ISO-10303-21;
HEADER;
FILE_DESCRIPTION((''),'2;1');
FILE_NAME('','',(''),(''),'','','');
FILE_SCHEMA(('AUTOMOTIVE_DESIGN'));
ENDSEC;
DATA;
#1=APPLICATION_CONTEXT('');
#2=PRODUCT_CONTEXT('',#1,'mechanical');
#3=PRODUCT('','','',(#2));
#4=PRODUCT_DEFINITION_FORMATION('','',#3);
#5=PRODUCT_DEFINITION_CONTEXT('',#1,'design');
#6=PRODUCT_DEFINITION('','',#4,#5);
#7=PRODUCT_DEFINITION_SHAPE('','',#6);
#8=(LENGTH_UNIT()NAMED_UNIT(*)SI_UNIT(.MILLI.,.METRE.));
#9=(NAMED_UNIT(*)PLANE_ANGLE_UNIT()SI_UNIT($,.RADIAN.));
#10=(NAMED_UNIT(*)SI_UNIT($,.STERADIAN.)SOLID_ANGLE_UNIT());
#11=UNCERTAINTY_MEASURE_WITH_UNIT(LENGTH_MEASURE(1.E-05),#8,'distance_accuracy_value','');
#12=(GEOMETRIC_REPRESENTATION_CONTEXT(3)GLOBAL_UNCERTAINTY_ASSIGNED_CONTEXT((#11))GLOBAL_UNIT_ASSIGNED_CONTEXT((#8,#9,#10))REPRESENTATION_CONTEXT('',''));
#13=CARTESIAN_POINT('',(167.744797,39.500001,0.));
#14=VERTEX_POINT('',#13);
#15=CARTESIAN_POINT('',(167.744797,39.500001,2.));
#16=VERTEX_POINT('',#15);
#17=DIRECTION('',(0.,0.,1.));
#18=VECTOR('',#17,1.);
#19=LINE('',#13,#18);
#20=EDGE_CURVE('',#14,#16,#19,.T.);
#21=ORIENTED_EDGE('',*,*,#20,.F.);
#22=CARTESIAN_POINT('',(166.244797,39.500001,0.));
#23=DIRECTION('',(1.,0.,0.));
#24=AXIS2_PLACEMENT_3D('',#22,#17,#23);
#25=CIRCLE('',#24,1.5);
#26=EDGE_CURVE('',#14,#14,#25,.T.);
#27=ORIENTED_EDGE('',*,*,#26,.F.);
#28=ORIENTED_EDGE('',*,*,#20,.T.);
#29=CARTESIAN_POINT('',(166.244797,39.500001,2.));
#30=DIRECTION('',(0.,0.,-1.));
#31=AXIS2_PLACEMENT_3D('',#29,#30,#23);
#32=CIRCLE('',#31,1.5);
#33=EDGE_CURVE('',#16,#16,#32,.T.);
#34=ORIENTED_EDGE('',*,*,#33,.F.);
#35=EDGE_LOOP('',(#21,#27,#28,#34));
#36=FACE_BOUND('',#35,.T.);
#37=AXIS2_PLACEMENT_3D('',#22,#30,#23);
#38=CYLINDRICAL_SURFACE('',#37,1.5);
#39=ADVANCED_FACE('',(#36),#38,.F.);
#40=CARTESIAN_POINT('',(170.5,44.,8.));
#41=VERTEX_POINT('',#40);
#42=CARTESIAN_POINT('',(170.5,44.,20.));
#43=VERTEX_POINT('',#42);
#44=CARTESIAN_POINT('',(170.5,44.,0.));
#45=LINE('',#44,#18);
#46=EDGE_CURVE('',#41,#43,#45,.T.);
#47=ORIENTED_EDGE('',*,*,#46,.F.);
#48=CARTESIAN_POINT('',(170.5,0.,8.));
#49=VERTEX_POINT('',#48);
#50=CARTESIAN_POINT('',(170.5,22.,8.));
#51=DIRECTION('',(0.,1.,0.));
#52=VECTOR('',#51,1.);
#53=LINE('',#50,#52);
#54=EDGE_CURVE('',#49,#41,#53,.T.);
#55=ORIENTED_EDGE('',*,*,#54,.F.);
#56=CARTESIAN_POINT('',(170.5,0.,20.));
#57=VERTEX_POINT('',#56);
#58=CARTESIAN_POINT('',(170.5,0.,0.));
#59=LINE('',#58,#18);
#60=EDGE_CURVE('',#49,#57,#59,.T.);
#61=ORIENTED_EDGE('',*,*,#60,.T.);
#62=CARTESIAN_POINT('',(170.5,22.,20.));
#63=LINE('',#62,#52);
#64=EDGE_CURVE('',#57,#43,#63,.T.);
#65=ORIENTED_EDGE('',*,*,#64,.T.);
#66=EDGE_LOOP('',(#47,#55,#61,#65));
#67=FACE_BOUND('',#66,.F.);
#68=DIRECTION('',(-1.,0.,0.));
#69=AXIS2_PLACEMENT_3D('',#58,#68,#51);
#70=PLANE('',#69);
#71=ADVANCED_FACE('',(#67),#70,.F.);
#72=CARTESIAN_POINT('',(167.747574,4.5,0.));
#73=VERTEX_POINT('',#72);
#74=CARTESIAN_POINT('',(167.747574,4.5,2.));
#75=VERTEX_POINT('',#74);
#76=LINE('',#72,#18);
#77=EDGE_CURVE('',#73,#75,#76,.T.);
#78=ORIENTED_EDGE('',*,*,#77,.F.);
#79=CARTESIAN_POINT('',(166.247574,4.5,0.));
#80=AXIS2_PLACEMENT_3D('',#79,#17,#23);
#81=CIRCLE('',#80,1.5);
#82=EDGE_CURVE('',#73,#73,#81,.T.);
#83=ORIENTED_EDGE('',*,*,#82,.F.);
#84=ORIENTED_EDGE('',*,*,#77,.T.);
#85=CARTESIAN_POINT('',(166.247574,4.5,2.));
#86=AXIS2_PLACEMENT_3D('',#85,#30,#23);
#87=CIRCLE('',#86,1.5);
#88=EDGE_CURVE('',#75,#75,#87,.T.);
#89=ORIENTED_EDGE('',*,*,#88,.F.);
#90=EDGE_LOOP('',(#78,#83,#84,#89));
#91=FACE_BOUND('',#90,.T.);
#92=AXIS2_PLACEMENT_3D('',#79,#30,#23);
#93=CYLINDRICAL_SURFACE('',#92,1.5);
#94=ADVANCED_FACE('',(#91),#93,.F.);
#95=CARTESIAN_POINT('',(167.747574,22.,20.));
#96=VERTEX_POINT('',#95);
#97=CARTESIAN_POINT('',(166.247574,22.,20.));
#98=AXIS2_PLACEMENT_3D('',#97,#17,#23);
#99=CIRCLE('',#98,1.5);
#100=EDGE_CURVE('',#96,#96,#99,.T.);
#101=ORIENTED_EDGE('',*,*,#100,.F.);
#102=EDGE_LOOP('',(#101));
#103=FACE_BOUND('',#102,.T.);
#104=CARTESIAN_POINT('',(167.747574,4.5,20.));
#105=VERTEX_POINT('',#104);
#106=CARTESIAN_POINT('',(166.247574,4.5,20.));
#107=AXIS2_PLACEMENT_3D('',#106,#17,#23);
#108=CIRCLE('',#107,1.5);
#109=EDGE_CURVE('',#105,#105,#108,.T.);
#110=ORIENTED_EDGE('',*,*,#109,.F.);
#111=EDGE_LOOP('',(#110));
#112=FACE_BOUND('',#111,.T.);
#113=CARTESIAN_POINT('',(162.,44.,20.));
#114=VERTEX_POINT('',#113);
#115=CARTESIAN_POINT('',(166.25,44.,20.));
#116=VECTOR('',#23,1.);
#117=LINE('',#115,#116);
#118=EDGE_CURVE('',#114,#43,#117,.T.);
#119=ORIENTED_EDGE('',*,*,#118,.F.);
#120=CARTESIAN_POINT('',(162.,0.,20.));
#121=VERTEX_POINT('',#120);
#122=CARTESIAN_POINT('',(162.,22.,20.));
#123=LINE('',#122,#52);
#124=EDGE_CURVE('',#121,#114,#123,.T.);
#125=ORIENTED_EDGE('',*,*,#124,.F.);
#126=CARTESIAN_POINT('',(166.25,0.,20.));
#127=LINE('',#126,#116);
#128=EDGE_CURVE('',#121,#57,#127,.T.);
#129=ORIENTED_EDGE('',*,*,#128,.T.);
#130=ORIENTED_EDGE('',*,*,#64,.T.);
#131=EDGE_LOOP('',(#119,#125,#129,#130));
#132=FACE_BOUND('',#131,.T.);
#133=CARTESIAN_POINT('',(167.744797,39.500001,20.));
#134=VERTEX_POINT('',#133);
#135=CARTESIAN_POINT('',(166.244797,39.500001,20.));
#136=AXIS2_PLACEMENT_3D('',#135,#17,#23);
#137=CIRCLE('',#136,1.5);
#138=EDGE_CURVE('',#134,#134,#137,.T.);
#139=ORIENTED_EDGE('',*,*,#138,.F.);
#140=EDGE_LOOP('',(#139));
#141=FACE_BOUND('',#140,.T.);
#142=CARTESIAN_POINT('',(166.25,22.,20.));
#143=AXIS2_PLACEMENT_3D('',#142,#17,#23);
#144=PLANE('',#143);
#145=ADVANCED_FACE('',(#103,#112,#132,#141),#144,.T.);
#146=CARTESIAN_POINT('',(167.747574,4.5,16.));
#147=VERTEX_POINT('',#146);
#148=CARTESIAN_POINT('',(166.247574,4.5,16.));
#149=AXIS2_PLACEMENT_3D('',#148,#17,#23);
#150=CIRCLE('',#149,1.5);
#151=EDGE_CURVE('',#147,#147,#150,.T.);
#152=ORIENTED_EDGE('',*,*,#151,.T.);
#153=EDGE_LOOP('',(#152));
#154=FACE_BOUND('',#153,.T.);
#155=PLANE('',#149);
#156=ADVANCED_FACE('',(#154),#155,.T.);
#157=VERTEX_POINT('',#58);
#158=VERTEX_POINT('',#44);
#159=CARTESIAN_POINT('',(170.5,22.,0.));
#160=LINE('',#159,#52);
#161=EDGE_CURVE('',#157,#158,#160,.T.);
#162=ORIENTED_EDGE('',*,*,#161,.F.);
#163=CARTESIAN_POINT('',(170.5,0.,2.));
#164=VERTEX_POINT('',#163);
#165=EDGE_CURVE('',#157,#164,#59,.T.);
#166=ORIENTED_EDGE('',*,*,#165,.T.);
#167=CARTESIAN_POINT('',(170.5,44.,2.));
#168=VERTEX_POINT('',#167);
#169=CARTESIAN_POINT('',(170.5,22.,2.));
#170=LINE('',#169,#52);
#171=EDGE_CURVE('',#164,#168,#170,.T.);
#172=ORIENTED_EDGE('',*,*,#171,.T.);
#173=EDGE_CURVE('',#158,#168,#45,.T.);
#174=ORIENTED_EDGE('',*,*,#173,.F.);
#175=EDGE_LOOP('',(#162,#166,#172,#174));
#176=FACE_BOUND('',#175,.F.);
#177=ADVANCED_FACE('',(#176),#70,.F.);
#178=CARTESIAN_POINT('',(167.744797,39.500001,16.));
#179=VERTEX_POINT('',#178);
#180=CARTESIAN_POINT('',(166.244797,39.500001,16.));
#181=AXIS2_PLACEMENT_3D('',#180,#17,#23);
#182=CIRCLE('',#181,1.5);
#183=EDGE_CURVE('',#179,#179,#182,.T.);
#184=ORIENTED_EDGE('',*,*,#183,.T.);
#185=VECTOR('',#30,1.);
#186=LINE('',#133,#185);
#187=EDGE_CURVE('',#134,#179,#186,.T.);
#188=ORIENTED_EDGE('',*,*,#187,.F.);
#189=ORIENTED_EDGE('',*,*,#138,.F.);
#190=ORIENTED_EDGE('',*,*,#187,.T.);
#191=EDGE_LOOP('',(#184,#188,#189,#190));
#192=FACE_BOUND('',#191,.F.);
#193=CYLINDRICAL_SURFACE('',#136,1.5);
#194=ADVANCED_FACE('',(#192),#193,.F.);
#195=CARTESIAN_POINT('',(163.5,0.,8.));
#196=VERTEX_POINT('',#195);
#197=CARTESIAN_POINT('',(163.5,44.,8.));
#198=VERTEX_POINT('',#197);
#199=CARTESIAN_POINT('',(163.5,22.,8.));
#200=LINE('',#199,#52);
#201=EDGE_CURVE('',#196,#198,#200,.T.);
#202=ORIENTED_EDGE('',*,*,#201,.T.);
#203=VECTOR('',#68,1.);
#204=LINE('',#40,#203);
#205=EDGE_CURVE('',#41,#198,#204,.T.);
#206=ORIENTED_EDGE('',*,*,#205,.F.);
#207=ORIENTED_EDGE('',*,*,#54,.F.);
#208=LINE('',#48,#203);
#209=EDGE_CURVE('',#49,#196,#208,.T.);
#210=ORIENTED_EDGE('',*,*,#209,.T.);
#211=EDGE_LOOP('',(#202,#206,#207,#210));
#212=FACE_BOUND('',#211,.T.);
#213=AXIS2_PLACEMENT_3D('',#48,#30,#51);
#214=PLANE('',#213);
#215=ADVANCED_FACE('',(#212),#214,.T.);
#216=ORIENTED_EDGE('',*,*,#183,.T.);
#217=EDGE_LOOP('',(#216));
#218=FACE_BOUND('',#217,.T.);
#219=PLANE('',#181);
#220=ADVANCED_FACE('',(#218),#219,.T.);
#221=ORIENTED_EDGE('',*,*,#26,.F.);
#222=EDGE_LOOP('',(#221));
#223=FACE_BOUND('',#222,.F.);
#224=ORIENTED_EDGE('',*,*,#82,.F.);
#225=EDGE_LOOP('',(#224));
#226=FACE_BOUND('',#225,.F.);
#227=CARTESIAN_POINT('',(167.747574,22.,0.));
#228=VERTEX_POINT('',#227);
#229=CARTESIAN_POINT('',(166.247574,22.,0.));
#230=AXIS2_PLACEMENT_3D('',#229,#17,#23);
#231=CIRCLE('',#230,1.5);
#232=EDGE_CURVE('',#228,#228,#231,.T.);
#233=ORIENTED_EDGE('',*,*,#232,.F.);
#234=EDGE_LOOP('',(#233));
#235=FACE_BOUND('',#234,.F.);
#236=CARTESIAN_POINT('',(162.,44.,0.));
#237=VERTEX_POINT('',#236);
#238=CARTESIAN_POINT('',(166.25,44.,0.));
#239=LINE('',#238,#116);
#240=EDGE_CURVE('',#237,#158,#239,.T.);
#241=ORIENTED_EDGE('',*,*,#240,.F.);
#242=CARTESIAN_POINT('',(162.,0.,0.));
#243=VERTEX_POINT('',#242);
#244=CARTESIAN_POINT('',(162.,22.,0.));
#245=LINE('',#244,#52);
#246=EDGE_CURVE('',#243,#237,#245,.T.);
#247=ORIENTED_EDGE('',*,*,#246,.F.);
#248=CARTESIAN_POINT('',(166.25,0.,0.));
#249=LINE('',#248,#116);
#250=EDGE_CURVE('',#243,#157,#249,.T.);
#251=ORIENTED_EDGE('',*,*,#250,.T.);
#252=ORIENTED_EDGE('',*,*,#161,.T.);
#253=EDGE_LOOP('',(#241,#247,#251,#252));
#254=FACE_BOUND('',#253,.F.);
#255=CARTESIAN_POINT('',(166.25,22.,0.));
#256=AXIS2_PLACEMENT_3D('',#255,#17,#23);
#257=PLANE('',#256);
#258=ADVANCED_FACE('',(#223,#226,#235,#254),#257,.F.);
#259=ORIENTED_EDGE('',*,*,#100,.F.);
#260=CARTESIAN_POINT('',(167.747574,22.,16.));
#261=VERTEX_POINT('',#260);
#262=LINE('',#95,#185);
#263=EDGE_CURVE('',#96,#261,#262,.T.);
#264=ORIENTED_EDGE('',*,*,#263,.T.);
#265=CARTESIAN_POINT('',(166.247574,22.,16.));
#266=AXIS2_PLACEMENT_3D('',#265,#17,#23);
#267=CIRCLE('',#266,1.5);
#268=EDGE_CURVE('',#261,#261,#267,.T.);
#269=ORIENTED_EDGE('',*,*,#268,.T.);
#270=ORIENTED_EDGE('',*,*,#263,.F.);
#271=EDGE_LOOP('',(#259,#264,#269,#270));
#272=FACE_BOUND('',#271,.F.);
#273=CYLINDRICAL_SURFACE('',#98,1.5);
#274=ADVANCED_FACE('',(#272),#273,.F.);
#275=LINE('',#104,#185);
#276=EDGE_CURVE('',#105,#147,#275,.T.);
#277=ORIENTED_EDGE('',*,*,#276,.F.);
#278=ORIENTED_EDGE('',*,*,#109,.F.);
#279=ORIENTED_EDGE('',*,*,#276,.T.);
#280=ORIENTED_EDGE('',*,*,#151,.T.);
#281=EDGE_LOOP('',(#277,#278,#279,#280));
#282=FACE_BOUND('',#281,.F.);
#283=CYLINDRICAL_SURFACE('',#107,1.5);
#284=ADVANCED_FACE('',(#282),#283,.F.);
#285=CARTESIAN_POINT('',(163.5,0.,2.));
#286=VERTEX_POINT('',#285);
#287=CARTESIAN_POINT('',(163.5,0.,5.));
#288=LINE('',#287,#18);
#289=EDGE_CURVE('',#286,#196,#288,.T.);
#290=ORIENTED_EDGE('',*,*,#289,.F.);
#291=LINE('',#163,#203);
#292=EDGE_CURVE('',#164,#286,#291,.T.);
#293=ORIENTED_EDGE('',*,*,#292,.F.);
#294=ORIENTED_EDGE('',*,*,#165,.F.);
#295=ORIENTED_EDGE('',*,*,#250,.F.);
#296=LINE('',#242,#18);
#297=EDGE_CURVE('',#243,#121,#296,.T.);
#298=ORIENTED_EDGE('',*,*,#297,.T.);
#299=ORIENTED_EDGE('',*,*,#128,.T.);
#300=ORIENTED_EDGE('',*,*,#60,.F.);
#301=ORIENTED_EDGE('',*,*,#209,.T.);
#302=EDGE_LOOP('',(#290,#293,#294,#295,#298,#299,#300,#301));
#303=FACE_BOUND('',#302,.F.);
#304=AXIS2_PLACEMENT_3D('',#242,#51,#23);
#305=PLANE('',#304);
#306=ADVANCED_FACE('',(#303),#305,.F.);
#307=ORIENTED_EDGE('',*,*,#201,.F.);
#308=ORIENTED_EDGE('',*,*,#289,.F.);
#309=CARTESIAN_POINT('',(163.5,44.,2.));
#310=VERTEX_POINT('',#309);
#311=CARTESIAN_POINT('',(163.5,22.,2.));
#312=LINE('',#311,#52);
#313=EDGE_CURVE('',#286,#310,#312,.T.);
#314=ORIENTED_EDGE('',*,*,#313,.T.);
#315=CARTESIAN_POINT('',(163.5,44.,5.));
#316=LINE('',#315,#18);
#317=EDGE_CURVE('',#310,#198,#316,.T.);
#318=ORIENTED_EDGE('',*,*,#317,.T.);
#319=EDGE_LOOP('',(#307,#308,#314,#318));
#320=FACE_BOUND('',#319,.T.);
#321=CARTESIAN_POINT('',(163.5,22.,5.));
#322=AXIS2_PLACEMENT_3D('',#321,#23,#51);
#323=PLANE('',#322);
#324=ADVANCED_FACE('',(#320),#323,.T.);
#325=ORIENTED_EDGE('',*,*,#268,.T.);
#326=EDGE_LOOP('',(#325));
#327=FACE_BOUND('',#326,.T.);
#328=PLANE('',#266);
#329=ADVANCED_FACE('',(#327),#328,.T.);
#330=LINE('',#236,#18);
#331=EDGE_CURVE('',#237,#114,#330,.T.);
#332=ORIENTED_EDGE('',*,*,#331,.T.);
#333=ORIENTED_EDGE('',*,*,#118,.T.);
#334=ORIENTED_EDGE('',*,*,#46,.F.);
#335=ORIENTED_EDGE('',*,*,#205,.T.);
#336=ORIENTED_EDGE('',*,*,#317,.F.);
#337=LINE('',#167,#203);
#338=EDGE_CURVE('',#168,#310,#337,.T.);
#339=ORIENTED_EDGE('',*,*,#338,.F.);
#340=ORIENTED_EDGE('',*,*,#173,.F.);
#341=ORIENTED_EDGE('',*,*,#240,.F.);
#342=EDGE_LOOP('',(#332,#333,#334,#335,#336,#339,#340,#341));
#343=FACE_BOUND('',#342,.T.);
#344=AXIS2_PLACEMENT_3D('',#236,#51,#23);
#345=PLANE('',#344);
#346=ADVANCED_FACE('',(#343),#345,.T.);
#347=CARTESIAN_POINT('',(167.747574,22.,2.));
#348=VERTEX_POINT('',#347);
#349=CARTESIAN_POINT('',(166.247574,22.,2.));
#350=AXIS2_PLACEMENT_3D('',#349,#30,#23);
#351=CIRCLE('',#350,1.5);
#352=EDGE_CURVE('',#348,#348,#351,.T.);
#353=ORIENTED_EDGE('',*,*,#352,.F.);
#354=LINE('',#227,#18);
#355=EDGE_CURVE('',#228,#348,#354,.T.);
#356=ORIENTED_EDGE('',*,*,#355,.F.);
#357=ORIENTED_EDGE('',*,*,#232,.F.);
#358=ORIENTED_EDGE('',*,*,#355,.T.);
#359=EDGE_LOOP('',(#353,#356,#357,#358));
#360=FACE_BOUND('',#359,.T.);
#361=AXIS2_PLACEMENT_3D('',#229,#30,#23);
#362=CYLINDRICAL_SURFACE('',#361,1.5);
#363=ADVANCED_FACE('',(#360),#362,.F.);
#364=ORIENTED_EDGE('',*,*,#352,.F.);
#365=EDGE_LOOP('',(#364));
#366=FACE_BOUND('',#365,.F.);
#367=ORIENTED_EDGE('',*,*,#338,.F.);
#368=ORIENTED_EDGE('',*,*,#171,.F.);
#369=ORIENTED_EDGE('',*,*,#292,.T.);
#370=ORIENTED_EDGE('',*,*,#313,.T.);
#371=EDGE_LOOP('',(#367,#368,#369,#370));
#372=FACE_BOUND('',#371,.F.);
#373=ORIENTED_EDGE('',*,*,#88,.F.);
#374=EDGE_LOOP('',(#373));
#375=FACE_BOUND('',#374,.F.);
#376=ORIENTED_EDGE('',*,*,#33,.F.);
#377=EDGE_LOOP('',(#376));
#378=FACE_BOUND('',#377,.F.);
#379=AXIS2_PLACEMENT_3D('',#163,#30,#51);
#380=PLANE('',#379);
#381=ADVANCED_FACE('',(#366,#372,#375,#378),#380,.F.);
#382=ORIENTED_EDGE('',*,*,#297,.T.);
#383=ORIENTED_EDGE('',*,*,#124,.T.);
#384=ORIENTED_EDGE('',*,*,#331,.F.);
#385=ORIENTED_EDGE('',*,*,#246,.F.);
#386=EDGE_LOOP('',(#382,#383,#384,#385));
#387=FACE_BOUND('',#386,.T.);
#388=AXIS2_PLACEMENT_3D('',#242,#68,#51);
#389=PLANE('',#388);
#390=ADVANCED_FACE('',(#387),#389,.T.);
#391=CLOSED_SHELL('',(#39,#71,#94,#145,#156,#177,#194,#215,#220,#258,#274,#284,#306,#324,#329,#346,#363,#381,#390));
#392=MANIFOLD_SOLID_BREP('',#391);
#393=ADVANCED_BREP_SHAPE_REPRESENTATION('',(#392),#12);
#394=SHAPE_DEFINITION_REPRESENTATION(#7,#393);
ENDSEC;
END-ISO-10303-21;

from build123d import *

# Parameters (mm, degrees)
SKETCH040_W      = 11
SKETCH040_H      = 6
EXTRUDE014_DEPTH = 7
FILLET007_R      = 1
SKETCH031_W      = 8.5
SKETCH031_H      = 44
PAD003_DEPTH     = 20
SKETCH030_R      = 1.5
HOLE005_DEPTH    = 4
SKETCH033_R      = 1.5
HOLE007_DEPTH    = 4
SKETCH039_W      = 44
SKETCH039_H      = 6
POCKET001_DEPTH  = 7


with BuildPart() as part:
    # Sketch040 (on Face5 of Pocket001) → Extrude014 (new body)
    with BuildSketch(Plane.YZ.offset(163.5)):
        with Locations((30.5, 5)):
            Rectangle(SKETCH040_W, SKETCH040_H)
        with Locations((13.5, 5)):
            Rectangle(SKETCH040_W, SKETCH040_H)
    extrude(amount=EXTRUDE014_DEPTH)

    # Fillet007
    fillet007_edges = [part.edges().sort_by_distance(p)[0] for p in [
        (170.5, 8, 5),
        (170.5, 19, 5),
        (170.5, 36, 5),
        (170.5, 25, 5),
    ]]
    fillet(fillet007_edges, radius=FILLET007_R)

    # Sketch031 → Pad003 (new body)
    with BuildSketch(Plane.XY):
        with Locations((166.25, 22)):
            Rectangle(SKETCH031_W, SKETCH031_H)
    extrude(amount=PAD003_DEPTH)

    # Sketch030 → Hole005 (cut)
    with BuildSketch(Plane.XY):
        with Locations((166.244797, 39.500001)):
            Circle(SKETCH030_R)
        with Locations((166.247574, 22)):
            Circle(SKETCH030_R)
        with Locations((166.247574, 4.5)):
            Circle(SKETCH030_R)
    extrude(amount=HOLE005_DEPTH, mode=Mode.SUBTRACT)

    # Sketch033 (on Face5 of Hole005) → Hole007 (cut)
    with BuildSketch(Plane.XY.offset(20)):
        with Locations((166.244797, 39.500001)):
            Circle(SKETCH033_R)
        with Locations((166.247574, 22)):
            Circle(SKETCH033_R)
        with Locations((166.247574, 4.5)):
            Circle(SKETCH033_R)
    extrude(amount=-HOLE007_DEPTH, mode=Mode.SUBTRACT)

    # Sketch039 (on Face3 of Hole007) → Pocket001 (cut)
    with BuildSketch(Plane.YZ.offset(170.5)):
        with Locations((22, 5)):
            Rectangle(SKETCH039_W, SKETCH039_H)
    extrude(amount=-POCKET001_DEPTH, mode=Mode.SUBTRACT)


solid = part.part
